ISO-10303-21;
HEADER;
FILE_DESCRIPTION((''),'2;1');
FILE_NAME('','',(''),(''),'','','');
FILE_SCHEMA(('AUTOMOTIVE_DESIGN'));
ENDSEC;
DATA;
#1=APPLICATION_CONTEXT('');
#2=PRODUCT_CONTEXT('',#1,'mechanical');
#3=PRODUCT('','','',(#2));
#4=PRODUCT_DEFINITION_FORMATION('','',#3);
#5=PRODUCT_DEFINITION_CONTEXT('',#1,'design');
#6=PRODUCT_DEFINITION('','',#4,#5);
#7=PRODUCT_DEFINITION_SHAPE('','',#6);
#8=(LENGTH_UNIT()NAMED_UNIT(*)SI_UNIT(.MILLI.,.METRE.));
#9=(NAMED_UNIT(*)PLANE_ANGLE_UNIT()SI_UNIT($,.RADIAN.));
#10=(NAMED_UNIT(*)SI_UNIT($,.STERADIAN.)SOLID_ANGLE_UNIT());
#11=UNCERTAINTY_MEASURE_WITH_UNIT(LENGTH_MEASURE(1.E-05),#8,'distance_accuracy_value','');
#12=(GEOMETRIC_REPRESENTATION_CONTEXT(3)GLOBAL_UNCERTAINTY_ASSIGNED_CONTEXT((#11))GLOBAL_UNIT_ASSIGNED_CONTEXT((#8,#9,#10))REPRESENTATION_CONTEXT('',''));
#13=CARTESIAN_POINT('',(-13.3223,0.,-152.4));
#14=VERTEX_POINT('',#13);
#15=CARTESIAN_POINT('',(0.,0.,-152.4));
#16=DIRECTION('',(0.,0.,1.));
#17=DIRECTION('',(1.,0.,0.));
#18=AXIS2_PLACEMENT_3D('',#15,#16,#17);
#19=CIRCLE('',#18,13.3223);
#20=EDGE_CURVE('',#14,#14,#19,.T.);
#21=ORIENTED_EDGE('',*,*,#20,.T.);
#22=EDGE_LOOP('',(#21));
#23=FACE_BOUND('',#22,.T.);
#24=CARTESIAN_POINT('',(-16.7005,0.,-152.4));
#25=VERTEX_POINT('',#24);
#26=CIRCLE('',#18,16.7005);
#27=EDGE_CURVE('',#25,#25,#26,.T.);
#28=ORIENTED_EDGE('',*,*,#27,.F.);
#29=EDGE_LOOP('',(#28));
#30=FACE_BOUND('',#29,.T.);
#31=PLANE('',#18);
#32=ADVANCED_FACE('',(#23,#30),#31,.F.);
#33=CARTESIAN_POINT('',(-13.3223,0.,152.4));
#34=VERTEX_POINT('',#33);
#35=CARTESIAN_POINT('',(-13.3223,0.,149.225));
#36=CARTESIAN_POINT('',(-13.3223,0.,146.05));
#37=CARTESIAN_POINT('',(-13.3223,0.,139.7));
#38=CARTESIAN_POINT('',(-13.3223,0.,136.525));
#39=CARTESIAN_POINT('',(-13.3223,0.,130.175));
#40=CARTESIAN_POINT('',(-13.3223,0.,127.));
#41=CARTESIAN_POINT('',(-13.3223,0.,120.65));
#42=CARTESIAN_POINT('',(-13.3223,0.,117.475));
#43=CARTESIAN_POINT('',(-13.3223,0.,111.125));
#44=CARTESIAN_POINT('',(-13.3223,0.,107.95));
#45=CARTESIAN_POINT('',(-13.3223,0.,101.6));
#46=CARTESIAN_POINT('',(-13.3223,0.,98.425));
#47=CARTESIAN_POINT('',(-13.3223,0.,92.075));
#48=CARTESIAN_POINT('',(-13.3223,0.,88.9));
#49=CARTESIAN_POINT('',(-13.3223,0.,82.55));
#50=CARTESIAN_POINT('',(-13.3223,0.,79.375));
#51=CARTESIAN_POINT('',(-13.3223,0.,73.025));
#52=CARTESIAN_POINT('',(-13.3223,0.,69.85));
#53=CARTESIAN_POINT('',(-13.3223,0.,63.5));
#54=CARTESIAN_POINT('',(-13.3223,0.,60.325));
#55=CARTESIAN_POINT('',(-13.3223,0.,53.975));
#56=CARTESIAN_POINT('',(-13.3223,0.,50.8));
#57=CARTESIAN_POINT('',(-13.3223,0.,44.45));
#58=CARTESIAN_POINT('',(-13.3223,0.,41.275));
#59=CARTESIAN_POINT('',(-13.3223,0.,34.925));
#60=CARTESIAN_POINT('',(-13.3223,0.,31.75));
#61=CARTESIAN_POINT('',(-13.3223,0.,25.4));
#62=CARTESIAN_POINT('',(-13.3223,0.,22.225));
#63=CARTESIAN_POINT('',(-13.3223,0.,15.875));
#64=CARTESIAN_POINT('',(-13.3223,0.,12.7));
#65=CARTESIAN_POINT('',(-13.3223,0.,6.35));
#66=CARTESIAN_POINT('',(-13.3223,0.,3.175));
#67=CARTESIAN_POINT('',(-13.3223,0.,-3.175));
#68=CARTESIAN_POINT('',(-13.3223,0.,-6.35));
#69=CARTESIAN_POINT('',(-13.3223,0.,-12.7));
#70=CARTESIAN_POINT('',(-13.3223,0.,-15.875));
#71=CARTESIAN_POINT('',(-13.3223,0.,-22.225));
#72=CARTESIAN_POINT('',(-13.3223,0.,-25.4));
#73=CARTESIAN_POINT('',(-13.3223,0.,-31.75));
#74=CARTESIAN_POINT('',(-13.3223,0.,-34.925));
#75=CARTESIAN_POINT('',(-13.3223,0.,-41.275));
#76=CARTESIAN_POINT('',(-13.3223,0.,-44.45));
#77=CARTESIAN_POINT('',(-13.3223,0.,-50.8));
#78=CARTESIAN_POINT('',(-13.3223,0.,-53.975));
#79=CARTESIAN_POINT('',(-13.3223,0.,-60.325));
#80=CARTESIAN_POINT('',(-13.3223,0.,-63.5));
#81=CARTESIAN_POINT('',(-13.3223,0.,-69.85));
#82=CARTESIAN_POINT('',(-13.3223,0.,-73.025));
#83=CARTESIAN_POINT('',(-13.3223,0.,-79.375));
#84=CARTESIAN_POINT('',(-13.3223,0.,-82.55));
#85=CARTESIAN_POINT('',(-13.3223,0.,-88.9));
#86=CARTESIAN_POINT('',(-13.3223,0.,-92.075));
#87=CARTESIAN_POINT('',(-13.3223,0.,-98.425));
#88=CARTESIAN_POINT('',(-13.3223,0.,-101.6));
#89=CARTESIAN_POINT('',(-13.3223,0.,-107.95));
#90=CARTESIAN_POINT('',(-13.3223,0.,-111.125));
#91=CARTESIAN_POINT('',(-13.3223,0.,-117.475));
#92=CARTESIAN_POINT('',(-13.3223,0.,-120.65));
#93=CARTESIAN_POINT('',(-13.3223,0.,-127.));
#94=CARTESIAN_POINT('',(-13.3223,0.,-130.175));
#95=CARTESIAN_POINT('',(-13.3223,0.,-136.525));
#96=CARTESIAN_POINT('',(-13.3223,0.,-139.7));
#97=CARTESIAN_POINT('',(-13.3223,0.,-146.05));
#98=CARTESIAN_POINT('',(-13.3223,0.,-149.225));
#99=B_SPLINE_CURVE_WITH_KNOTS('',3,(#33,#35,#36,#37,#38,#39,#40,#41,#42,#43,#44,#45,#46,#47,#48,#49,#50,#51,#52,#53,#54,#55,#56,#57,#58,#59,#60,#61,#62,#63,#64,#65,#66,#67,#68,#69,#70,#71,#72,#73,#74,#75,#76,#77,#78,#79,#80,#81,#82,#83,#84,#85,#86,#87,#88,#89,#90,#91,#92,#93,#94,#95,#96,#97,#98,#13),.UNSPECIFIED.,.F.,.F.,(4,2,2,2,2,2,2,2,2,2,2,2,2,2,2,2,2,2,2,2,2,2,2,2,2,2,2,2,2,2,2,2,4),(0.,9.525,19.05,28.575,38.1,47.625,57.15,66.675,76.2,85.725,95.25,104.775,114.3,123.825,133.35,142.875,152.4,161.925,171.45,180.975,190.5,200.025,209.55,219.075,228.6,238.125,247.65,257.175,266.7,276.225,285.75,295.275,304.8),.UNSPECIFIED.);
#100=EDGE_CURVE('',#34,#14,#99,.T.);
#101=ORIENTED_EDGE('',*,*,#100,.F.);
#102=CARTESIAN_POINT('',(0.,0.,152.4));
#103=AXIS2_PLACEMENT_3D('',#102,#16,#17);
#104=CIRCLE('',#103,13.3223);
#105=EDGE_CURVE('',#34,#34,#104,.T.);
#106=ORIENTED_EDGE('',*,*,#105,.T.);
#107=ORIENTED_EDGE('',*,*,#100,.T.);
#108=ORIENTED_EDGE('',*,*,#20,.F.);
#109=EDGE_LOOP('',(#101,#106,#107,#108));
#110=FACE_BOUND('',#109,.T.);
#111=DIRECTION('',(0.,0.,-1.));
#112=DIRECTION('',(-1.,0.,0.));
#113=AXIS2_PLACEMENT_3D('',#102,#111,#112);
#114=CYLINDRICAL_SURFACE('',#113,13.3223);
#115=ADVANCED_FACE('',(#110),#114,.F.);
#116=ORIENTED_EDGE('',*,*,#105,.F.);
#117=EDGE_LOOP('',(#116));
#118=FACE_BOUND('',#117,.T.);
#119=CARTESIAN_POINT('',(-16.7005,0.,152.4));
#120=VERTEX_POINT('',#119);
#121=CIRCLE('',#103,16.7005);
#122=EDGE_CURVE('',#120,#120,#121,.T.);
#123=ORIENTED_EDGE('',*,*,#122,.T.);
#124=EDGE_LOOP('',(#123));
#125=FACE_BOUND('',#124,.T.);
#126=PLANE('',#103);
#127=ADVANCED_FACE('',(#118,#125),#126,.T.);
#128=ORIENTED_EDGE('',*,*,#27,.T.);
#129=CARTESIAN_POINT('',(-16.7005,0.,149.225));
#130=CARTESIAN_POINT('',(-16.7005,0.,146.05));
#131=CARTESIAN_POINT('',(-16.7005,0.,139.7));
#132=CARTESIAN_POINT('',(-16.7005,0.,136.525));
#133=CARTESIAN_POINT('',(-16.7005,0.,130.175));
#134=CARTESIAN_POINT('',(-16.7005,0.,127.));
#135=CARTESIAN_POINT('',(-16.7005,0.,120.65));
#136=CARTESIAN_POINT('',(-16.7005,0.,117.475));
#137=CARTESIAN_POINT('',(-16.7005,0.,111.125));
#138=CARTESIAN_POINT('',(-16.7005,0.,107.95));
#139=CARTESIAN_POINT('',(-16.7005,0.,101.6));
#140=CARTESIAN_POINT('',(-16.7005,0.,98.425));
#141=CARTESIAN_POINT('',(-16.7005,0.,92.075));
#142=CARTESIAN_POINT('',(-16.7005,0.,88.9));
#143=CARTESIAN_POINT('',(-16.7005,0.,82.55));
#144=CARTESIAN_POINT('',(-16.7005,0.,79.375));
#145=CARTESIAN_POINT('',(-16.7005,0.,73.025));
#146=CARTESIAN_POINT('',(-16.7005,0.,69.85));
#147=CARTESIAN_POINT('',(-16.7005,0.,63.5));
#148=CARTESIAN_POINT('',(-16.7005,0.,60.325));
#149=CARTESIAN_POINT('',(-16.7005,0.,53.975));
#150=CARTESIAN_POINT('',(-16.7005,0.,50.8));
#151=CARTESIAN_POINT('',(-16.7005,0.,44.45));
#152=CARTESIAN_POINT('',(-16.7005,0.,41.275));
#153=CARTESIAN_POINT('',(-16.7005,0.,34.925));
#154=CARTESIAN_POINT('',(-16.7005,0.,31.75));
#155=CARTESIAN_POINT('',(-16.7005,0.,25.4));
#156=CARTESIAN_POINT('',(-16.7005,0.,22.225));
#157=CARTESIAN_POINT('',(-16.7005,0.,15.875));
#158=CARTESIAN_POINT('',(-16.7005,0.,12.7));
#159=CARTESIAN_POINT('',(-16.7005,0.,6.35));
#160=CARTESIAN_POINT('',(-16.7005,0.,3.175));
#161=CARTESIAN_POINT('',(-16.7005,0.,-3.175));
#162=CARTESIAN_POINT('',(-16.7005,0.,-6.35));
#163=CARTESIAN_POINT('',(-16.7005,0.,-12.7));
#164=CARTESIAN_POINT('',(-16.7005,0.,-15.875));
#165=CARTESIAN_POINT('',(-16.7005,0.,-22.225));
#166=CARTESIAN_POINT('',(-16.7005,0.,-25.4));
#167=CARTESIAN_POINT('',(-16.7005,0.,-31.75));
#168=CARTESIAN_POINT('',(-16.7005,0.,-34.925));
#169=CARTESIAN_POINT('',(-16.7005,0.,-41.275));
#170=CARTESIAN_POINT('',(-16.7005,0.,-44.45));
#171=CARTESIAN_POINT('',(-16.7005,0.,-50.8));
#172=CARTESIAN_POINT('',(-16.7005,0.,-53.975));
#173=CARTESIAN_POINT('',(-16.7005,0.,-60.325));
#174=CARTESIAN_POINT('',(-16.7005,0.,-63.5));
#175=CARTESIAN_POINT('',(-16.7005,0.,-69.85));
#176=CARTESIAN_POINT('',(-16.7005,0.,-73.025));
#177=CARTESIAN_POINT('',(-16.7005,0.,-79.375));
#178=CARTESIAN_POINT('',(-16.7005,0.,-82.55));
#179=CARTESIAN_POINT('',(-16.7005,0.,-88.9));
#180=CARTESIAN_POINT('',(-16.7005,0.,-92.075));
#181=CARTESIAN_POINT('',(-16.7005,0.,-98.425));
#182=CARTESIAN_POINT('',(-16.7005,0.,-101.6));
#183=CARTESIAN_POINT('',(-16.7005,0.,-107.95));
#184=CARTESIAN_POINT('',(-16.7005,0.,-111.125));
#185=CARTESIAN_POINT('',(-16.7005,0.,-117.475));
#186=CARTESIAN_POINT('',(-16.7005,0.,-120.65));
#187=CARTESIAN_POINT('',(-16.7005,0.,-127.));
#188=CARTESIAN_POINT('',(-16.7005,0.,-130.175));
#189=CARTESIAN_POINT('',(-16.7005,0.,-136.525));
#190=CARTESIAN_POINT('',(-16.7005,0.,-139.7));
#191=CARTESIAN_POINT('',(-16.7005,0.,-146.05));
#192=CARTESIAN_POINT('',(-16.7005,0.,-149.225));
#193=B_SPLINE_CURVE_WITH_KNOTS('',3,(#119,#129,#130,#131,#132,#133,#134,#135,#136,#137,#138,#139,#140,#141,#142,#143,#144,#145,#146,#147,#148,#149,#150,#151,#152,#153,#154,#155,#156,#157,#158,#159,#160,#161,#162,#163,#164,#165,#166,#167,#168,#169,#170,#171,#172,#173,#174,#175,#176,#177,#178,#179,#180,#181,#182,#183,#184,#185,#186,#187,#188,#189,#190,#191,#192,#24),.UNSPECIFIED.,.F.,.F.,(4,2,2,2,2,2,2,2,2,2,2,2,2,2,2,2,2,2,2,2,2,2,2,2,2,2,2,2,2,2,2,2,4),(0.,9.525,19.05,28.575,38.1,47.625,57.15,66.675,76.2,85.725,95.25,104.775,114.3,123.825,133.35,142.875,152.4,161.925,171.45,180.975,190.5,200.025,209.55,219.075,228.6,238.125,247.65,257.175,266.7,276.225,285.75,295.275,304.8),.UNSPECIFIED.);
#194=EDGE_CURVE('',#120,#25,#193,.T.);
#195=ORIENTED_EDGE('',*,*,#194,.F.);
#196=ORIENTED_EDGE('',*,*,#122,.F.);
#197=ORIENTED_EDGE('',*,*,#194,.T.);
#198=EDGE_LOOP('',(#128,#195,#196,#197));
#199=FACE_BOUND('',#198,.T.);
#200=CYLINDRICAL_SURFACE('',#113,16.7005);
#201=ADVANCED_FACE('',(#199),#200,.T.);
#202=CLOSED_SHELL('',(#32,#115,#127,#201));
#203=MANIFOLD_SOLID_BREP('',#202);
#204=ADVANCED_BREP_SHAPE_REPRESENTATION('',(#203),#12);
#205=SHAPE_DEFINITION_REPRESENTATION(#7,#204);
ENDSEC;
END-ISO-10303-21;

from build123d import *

# Parameters (mm, degrees)
SKETCH1_R           = 16.7005
SKETCH1_R_2         = 13.3223
EXTRUDE_THIN1_DEPTH = 152.4


with BuildPart() as part:
    # Sketch1 → Extrude-Thin1 (new, symmetric)
    with BuildSketch(Plane.XY):
        Circle(SKETCH1_R)
        Circle(SKETCH1_R_2, mode=Mode.SUBTRACT)
    extrude(amount=EXTRUDE_THIN1_DEPTH, both=True)


solid = part.part
